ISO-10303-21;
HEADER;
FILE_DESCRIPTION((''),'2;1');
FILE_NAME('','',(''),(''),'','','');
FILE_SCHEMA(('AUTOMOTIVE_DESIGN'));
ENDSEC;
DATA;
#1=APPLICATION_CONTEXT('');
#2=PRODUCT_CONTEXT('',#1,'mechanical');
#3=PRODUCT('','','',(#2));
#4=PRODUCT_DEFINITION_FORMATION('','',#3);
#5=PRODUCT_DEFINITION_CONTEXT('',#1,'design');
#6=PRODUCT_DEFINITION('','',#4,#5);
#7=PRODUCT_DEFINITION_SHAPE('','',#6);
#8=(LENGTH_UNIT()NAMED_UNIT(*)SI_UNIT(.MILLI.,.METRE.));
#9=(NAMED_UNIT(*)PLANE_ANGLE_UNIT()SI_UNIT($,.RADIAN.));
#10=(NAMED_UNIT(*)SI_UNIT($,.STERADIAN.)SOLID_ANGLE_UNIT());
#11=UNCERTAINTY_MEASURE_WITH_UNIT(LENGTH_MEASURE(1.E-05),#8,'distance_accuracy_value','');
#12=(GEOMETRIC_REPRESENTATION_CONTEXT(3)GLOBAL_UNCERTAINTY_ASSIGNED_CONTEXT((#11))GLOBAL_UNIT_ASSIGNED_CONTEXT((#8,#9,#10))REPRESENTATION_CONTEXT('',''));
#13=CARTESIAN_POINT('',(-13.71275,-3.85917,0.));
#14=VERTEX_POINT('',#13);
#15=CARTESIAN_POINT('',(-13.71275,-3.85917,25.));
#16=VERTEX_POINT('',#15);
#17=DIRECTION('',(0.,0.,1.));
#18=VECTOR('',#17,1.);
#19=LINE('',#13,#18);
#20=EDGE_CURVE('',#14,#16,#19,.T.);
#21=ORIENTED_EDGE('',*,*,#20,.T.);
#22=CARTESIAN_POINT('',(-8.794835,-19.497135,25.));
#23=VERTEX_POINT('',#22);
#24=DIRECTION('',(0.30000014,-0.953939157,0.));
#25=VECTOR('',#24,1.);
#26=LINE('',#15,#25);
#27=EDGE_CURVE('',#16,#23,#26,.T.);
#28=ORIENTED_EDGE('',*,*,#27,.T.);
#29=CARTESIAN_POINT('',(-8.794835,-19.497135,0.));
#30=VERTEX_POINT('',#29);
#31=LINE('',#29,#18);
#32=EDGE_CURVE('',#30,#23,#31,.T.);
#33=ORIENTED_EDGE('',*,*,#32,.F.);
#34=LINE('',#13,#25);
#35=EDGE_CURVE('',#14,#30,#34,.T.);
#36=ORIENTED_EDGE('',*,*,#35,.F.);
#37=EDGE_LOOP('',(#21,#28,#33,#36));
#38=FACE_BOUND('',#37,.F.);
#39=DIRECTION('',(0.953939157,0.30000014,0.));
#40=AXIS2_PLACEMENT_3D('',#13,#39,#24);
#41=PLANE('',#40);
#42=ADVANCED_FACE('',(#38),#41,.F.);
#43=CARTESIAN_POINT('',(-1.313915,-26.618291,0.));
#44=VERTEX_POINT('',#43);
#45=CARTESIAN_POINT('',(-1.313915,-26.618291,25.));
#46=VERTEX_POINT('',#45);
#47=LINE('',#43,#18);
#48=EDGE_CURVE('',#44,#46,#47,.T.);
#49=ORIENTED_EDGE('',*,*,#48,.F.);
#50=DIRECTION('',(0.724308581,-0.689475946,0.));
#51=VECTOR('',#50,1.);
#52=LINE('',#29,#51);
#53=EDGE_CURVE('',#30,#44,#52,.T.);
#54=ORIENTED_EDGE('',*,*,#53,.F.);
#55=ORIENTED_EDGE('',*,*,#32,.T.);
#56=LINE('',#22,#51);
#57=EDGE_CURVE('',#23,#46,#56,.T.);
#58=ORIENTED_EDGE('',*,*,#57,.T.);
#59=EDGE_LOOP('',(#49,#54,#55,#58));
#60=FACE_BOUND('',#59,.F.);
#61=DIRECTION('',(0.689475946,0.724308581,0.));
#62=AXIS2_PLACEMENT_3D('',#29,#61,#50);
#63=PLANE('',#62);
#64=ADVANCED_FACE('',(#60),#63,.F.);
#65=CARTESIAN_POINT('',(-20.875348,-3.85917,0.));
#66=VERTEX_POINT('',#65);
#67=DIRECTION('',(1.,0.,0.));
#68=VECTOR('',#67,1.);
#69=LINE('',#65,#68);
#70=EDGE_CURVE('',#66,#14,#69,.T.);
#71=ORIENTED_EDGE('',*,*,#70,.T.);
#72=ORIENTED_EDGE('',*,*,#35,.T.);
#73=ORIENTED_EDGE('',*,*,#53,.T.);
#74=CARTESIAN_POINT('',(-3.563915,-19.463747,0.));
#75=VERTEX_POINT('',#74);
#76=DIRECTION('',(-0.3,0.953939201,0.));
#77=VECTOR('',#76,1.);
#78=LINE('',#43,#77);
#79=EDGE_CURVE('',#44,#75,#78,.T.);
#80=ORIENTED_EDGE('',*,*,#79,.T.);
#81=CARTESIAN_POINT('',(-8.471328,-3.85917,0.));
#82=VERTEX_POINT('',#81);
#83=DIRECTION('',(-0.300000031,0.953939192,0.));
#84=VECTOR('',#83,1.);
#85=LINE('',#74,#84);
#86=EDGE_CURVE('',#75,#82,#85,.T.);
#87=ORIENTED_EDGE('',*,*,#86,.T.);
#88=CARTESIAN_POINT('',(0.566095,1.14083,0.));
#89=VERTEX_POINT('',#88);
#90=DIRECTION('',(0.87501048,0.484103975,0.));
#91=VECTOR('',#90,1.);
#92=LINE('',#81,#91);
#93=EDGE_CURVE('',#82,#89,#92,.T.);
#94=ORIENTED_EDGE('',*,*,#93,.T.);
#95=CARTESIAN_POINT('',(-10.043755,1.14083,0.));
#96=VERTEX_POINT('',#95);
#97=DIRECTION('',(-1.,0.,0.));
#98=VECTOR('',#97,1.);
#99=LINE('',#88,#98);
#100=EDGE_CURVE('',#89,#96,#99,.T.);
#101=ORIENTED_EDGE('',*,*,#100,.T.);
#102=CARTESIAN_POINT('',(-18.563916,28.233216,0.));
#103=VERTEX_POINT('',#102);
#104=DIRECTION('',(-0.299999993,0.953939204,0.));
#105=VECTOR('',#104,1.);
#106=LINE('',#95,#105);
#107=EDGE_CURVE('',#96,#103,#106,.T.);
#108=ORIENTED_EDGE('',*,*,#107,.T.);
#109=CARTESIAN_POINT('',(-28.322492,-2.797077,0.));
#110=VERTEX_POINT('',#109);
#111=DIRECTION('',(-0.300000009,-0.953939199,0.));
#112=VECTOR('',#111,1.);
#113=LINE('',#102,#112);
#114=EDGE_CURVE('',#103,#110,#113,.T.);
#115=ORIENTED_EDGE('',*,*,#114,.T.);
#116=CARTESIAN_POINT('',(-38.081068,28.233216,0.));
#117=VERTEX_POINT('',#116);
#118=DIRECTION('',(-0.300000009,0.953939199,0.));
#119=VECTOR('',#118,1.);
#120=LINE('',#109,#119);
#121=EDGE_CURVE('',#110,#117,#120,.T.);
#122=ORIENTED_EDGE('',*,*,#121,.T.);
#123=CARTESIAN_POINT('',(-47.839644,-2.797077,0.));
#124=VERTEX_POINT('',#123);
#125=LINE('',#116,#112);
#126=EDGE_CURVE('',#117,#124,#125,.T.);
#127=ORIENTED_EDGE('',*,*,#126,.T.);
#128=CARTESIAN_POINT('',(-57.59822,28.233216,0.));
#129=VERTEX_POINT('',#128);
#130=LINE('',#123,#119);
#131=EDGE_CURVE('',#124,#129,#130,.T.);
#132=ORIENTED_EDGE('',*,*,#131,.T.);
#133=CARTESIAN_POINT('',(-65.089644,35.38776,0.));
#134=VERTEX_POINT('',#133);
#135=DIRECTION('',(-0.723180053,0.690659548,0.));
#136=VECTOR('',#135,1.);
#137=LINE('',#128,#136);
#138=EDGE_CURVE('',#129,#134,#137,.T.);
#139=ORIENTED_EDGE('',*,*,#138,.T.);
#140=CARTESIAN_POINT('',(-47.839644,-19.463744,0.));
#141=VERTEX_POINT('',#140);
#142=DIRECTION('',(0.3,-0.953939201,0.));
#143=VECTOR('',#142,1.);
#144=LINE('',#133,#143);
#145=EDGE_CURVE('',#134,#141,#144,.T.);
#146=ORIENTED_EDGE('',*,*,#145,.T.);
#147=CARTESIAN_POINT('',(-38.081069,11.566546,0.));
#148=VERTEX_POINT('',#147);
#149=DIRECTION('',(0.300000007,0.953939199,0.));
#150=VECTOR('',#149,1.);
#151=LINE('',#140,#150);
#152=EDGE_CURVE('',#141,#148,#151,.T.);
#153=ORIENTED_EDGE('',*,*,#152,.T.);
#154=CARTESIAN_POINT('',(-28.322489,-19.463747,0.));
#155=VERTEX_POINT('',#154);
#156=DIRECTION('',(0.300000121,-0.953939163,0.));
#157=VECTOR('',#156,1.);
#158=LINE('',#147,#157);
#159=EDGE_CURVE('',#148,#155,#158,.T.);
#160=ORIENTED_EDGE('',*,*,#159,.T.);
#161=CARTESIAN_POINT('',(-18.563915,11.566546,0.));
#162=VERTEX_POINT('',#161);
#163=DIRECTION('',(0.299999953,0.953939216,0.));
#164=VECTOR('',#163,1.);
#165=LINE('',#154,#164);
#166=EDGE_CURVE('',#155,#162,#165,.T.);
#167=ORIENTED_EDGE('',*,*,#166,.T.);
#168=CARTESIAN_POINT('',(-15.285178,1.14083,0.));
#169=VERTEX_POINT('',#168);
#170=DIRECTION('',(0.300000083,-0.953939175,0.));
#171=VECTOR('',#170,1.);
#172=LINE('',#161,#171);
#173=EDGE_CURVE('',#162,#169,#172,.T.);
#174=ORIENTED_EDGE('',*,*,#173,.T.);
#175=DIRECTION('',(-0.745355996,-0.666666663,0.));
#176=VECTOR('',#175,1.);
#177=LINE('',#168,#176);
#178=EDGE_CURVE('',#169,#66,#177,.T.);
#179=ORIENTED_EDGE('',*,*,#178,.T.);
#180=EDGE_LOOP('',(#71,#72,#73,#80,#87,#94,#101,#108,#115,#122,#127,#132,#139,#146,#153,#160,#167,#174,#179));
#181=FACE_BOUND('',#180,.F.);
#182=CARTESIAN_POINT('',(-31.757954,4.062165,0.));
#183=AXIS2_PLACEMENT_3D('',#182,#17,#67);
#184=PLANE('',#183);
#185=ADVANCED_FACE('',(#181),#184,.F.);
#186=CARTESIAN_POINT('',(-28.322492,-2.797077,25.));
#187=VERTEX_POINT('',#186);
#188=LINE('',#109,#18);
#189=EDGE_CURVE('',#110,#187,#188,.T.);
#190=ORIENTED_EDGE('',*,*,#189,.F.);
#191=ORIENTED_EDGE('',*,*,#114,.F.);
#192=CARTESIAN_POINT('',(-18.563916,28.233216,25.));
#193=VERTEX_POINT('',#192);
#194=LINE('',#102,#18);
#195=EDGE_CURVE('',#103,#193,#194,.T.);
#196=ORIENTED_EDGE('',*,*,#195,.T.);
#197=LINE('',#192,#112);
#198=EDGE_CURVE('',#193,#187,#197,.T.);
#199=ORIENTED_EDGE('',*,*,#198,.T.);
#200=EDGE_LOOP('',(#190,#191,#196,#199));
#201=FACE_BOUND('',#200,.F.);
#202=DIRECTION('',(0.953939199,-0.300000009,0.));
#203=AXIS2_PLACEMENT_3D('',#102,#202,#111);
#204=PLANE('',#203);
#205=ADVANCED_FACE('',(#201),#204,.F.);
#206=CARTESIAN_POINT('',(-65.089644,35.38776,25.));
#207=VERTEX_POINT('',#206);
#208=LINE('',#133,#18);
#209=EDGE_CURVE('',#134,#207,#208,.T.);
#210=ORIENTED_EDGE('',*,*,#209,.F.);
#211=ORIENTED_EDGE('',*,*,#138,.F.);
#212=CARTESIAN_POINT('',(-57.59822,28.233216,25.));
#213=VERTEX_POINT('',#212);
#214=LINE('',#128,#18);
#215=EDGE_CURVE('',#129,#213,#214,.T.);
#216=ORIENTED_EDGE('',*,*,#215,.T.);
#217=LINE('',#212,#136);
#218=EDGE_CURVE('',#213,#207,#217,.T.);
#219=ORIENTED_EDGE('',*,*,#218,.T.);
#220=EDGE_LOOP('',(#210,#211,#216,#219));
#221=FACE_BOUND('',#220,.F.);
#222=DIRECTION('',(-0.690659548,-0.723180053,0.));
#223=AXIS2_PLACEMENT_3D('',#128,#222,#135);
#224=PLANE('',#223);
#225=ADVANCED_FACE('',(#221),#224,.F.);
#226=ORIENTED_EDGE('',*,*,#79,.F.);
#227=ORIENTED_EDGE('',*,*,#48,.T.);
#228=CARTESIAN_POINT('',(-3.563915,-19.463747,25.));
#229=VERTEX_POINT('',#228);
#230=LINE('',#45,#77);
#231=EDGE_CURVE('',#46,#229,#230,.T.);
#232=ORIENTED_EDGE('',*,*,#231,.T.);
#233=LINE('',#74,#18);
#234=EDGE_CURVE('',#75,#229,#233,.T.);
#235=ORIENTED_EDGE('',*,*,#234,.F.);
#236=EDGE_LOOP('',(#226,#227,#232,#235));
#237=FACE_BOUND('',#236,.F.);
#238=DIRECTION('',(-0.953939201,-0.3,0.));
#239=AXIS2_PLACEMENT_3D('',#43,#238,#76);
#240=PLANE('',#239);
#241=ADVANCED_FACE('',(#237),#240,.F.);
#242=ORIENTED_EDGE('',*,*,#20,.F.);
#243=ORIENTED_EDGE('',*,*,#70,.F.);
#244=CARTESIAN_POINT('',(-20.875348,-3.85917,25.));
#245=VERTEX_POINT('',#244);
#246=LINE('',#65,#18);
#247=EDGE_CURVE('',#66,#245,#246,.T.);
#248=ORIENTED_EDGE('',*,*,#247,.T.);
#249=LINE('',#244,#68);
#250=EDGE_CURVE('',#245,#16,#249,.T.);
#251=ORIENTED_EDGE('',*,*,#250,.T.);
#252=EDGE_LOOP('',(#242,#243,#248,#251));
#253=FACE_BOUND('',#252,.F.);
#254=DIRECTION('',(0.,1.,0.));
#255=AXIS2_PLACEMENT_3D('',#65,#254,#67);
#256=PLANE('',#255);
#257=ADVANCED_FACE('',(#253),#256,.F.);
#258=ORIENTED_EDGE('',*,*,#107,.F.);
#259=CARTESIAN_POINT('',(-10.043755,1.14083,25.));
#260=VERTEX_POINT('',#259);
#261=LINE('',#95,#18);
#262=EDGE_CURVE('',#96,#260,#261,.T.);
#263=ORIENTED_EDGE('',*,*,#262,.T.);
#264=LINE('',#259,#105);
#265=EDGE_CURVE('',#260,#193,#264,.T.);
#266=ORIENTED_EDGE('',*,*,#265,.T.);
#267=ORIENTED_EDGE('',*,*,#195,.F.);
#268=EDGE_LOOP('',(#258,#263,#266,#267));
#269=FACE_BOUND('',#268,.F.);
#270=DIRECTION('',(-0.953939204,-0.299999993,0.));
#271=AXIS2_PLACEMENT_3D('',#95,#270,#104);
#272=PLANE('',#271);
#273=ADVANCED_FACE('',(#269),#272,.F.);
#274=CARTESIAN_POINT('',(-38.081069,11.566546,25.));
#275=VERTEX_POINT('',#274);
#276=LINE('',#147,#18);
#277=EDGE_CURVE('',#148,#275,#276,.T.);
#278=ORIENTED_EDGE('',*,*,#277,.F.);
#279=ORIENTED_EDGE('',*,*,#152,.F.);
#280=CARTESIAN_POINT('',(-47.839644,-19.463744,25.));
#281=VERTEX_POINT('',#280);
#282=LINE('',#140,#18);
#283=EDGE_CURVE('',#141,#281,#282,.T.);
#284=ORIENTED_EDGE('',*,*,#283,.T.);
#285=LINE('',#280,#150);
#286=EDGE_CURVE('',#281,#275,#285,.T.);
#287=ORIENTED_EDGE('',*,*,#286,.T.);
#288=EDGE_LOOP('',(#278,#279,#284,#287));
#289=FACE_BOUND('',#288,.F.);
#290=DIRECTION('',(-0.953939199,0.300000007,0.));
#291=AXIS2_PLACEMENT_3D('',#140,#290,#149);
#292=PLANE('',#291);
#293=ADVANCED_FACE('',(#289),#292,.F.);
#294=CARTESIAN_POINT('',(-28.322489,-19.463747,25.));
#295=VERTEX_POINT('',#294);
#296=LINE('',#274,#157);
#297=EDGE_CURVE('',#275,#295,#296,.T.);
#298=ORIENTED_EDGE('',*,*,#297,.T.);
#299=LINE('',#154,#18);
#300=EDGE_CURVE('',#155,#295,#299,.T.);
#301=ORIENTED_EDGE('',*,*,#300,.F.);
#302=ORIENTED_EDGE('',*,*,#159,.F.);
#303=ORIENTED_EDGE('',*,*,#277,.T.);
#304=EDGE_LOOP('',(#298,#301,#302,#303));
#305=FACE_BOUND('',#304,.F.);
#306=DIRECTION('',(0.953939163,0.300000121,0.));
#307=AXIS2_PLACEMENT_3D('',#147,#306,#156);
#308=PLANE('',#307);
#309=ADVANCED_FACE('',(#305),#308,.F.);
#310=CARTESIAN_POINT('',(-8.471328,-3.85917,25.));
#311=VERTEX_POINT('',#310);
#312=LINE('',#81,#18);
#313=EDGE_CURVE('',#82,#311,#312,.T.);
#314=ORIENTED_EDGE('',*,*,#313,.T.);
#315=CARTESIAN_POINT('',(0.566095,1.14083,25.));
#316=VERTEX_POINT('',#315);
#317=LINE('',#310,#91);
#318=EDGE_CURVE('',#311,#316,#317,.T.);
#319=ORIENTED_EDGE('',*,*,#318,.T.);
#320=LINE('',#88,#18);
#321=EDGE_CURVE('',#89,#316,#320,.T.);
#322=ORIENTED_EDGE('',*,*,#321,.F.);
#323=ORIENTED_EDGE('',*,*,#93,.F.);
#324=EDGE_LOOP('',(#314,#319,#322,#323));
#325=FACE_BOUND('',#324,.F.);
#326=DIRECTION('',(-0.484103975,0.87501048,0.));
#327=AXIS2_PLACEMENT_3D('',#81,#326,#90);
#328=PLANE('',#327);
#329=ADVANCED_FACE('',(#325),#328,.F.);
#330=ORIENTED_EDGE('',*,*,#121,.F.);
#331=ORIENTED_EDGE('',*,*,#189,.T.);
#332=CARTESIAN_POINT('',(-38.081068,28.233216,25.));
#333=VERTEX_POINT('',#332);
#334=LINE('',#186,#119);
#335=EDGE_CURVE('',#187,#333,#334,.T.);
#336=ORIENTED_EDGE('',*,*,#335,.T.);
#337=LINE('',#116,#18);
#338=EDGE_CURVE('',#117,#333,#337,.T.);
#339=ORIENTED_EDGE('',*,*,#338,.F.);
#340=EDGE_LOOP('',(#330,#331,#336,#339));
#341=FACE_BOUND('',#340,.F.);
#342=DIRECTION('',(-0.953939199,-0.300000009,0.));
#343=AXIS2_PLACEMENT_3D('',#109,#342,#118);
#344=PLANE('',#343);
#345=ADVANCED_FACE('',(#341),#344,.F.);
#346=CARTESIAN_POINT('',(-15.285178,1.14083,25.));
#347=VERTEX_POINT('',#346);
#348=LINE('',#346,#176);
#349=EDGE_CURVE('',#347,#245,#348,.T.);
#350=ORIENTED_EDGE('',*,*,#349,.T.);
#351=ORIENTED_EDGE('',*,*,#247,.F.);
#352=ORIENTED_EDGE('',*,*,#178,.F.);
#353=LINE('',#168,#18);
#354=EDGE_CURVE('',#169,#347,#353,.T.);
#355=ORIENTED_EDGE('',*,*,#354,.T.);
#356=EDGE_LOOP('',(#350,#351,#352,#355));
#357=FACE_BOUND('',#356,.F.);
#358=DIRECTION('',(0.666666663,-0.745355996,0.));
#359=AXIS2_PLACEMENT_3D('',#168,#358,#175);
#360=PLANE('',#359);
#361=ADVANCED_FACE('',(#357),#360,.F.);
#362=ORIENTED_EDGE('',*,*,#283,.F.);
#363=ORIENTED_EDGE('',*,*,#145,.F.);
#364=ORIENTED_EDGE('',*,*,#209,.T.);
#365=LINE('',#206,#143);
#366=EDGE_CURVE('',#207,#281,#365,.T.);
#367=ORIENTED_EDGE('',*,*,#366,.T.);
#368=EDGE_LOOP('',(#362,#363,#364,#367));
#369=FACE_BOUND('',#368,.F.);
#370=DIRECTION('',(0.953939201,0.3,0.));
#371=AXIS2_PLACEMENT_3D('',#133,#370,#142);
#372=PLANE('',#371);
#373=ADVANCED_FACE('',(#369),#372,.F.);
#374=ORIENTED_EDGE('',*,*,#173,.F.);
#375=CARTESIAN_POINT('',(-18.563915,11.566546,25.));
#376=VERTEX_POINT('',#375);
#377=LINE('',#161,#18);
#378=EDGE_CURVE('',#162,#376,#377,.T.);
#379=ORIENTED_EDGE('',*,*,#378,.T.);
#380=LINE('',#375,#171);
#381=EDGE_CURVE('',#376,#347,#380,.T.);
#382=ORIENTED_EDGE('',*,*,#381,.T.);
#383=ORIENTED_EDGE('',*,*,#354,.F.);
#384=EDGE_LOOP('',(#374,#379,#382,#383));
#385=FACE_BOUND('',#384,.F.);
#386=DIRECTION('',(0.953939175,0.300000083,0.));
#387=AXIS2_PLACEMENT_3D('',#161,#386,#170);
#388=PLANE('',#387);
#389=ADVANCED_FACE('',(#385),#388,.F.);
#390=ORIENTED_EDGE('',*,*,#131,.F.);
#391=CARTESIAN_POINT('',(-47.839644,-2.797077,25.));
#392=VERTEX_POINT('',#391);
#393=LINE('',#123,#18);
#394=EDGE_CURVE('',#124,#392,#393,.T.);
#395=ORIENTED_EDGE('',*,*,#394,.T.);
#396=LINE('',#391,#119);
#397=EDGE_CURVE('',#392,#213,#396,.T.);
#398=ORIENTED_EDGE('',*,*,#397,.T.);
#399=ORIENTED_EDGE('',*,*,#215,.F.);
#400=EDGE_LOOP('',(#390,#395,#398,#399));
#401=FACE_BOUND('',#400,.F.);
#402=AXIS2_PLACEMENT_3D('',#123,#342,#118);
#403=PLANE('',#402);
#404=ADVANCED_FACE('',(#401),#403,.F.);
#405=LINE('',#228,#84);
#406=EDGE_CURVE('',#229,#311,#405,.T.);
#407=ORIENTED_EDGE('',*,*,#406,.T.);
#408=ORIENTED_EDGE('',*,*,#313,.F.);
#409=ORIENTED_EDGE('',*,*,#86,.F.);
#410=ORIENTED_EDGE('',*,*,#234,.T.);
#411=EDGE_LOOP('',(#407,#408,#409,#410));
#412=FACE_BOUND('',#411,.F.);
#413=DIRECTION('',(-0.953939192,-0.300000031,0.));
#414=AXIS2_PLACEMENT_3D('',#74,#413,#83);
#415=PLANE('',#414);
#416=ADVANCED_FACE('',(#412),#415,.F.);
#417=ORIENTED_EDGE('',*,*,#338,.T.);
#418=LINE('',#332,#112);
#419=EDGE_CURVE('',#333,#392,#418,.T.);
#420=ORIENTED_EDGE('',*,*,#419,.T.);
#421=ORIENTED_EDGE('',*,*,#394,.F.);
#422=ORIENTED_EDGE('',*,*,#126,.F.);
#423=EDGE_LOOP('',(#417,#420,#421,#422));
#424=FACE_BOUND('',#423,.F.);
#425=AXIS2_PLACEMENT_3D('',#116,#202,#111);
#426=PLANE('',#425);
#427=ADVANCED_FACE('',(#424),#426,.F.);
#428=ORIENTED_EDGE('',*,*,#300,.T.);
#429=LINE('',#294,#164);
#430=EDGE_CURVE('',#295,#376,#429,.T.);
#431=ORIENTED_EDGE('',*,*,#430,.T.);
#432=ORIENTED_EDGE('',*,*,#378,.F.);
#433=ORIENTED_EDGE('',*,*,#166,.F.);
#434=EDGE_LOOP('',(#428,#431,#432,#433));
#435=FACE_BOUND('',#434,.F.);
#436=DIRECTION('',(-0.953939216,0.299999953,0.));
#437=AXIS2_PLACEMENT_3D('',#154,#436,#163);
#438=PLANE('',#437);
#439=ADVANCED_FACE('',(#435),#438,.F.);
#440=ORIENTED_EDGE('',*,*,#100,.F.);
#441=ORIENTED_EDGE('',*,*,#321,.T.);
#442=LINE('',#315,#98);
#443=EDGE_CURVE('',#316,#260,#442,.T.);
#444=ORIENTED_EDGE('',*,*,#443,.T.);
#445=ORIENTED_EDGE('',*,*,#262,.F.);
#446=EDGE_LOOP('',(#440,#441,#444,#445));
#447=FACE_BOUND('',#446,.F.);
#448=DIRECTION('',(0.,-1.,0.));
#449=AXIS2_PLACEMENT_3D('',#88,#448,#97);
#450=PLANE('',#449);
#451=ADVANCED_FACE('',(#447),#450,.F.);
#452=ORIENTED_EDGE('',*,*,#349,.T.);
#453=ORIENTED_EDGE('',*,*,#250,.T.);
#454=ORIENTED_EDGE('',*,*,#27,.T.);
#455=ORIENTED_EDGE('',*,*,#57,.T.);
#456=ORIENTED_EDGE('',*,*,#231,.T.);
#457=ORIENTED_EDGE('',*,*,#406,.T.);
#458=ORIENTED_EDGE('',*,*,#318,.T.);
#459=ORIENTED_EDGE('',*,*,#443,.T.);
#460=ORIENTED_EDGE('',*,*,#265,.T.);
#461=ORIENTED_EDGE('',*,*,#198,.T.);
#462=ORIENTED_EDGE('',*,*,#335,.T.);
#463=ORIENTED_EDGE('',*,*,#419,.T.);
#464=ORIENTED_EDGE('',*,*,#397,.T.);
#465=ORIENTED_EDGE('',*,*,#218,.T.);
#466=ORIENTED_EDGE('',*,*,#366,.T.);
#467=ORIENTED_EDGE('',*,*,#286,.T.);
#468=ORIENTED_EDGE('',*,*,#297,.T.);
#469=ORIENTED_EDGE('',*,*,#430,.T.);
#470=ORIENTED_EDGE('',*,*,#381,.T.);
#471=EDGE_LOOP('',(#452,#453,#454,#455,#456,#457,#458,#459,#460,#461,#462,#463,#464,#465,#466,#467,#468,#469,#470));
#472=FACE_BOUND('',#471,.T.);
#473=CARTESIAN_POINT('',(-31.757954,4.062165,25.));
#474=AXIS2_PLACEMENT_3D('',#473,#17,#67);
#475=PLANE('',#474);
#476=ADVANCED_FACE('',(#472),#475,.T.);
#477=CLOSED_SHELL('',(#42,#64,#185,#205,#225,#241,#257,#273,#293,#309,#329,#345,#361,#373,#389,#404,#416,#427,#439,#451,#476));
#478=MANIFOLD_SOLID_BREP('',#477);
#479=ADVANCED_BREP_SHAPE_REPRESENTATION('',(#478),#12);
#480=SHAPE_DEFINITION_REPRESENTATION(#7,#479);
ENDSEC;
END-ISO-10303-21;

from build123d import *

# Parameters (mm, degrees)
F1_DEPTH = 25


with BuildPart() as f1:
    # F0 (on Top) → F1 (new body)
    with BuildSketch(Plane.XY):
        Polygon((-65.089644, 35.38776), (-62.839644, 28.233216), (-47.839644, -19.463744), (-38.081069, 11.566546), (-28.322489, -19.463747), (-18.563915, 11.566546), (-15.285178, 1.14083), (-20.875348, -3.85917), (-13.71275, -3.85917), (-8.794835, -19.497135), (-1.313915, -26.618291), (-3.563915, -19.463747), (-8.471328, -3.85917), (0.566095, 1.14083), (-6.933905, 1.14083), (-10.043755, 1.14083), (-18.563916, 28.233216), (-28.322492, -2.797077), (-38.081068, 28.233216), (-47.839644, -2.797077), (-57.59822, 28.233216), align=None)
    extrude(amount=F1_DEPTH)


solid = f1.part
